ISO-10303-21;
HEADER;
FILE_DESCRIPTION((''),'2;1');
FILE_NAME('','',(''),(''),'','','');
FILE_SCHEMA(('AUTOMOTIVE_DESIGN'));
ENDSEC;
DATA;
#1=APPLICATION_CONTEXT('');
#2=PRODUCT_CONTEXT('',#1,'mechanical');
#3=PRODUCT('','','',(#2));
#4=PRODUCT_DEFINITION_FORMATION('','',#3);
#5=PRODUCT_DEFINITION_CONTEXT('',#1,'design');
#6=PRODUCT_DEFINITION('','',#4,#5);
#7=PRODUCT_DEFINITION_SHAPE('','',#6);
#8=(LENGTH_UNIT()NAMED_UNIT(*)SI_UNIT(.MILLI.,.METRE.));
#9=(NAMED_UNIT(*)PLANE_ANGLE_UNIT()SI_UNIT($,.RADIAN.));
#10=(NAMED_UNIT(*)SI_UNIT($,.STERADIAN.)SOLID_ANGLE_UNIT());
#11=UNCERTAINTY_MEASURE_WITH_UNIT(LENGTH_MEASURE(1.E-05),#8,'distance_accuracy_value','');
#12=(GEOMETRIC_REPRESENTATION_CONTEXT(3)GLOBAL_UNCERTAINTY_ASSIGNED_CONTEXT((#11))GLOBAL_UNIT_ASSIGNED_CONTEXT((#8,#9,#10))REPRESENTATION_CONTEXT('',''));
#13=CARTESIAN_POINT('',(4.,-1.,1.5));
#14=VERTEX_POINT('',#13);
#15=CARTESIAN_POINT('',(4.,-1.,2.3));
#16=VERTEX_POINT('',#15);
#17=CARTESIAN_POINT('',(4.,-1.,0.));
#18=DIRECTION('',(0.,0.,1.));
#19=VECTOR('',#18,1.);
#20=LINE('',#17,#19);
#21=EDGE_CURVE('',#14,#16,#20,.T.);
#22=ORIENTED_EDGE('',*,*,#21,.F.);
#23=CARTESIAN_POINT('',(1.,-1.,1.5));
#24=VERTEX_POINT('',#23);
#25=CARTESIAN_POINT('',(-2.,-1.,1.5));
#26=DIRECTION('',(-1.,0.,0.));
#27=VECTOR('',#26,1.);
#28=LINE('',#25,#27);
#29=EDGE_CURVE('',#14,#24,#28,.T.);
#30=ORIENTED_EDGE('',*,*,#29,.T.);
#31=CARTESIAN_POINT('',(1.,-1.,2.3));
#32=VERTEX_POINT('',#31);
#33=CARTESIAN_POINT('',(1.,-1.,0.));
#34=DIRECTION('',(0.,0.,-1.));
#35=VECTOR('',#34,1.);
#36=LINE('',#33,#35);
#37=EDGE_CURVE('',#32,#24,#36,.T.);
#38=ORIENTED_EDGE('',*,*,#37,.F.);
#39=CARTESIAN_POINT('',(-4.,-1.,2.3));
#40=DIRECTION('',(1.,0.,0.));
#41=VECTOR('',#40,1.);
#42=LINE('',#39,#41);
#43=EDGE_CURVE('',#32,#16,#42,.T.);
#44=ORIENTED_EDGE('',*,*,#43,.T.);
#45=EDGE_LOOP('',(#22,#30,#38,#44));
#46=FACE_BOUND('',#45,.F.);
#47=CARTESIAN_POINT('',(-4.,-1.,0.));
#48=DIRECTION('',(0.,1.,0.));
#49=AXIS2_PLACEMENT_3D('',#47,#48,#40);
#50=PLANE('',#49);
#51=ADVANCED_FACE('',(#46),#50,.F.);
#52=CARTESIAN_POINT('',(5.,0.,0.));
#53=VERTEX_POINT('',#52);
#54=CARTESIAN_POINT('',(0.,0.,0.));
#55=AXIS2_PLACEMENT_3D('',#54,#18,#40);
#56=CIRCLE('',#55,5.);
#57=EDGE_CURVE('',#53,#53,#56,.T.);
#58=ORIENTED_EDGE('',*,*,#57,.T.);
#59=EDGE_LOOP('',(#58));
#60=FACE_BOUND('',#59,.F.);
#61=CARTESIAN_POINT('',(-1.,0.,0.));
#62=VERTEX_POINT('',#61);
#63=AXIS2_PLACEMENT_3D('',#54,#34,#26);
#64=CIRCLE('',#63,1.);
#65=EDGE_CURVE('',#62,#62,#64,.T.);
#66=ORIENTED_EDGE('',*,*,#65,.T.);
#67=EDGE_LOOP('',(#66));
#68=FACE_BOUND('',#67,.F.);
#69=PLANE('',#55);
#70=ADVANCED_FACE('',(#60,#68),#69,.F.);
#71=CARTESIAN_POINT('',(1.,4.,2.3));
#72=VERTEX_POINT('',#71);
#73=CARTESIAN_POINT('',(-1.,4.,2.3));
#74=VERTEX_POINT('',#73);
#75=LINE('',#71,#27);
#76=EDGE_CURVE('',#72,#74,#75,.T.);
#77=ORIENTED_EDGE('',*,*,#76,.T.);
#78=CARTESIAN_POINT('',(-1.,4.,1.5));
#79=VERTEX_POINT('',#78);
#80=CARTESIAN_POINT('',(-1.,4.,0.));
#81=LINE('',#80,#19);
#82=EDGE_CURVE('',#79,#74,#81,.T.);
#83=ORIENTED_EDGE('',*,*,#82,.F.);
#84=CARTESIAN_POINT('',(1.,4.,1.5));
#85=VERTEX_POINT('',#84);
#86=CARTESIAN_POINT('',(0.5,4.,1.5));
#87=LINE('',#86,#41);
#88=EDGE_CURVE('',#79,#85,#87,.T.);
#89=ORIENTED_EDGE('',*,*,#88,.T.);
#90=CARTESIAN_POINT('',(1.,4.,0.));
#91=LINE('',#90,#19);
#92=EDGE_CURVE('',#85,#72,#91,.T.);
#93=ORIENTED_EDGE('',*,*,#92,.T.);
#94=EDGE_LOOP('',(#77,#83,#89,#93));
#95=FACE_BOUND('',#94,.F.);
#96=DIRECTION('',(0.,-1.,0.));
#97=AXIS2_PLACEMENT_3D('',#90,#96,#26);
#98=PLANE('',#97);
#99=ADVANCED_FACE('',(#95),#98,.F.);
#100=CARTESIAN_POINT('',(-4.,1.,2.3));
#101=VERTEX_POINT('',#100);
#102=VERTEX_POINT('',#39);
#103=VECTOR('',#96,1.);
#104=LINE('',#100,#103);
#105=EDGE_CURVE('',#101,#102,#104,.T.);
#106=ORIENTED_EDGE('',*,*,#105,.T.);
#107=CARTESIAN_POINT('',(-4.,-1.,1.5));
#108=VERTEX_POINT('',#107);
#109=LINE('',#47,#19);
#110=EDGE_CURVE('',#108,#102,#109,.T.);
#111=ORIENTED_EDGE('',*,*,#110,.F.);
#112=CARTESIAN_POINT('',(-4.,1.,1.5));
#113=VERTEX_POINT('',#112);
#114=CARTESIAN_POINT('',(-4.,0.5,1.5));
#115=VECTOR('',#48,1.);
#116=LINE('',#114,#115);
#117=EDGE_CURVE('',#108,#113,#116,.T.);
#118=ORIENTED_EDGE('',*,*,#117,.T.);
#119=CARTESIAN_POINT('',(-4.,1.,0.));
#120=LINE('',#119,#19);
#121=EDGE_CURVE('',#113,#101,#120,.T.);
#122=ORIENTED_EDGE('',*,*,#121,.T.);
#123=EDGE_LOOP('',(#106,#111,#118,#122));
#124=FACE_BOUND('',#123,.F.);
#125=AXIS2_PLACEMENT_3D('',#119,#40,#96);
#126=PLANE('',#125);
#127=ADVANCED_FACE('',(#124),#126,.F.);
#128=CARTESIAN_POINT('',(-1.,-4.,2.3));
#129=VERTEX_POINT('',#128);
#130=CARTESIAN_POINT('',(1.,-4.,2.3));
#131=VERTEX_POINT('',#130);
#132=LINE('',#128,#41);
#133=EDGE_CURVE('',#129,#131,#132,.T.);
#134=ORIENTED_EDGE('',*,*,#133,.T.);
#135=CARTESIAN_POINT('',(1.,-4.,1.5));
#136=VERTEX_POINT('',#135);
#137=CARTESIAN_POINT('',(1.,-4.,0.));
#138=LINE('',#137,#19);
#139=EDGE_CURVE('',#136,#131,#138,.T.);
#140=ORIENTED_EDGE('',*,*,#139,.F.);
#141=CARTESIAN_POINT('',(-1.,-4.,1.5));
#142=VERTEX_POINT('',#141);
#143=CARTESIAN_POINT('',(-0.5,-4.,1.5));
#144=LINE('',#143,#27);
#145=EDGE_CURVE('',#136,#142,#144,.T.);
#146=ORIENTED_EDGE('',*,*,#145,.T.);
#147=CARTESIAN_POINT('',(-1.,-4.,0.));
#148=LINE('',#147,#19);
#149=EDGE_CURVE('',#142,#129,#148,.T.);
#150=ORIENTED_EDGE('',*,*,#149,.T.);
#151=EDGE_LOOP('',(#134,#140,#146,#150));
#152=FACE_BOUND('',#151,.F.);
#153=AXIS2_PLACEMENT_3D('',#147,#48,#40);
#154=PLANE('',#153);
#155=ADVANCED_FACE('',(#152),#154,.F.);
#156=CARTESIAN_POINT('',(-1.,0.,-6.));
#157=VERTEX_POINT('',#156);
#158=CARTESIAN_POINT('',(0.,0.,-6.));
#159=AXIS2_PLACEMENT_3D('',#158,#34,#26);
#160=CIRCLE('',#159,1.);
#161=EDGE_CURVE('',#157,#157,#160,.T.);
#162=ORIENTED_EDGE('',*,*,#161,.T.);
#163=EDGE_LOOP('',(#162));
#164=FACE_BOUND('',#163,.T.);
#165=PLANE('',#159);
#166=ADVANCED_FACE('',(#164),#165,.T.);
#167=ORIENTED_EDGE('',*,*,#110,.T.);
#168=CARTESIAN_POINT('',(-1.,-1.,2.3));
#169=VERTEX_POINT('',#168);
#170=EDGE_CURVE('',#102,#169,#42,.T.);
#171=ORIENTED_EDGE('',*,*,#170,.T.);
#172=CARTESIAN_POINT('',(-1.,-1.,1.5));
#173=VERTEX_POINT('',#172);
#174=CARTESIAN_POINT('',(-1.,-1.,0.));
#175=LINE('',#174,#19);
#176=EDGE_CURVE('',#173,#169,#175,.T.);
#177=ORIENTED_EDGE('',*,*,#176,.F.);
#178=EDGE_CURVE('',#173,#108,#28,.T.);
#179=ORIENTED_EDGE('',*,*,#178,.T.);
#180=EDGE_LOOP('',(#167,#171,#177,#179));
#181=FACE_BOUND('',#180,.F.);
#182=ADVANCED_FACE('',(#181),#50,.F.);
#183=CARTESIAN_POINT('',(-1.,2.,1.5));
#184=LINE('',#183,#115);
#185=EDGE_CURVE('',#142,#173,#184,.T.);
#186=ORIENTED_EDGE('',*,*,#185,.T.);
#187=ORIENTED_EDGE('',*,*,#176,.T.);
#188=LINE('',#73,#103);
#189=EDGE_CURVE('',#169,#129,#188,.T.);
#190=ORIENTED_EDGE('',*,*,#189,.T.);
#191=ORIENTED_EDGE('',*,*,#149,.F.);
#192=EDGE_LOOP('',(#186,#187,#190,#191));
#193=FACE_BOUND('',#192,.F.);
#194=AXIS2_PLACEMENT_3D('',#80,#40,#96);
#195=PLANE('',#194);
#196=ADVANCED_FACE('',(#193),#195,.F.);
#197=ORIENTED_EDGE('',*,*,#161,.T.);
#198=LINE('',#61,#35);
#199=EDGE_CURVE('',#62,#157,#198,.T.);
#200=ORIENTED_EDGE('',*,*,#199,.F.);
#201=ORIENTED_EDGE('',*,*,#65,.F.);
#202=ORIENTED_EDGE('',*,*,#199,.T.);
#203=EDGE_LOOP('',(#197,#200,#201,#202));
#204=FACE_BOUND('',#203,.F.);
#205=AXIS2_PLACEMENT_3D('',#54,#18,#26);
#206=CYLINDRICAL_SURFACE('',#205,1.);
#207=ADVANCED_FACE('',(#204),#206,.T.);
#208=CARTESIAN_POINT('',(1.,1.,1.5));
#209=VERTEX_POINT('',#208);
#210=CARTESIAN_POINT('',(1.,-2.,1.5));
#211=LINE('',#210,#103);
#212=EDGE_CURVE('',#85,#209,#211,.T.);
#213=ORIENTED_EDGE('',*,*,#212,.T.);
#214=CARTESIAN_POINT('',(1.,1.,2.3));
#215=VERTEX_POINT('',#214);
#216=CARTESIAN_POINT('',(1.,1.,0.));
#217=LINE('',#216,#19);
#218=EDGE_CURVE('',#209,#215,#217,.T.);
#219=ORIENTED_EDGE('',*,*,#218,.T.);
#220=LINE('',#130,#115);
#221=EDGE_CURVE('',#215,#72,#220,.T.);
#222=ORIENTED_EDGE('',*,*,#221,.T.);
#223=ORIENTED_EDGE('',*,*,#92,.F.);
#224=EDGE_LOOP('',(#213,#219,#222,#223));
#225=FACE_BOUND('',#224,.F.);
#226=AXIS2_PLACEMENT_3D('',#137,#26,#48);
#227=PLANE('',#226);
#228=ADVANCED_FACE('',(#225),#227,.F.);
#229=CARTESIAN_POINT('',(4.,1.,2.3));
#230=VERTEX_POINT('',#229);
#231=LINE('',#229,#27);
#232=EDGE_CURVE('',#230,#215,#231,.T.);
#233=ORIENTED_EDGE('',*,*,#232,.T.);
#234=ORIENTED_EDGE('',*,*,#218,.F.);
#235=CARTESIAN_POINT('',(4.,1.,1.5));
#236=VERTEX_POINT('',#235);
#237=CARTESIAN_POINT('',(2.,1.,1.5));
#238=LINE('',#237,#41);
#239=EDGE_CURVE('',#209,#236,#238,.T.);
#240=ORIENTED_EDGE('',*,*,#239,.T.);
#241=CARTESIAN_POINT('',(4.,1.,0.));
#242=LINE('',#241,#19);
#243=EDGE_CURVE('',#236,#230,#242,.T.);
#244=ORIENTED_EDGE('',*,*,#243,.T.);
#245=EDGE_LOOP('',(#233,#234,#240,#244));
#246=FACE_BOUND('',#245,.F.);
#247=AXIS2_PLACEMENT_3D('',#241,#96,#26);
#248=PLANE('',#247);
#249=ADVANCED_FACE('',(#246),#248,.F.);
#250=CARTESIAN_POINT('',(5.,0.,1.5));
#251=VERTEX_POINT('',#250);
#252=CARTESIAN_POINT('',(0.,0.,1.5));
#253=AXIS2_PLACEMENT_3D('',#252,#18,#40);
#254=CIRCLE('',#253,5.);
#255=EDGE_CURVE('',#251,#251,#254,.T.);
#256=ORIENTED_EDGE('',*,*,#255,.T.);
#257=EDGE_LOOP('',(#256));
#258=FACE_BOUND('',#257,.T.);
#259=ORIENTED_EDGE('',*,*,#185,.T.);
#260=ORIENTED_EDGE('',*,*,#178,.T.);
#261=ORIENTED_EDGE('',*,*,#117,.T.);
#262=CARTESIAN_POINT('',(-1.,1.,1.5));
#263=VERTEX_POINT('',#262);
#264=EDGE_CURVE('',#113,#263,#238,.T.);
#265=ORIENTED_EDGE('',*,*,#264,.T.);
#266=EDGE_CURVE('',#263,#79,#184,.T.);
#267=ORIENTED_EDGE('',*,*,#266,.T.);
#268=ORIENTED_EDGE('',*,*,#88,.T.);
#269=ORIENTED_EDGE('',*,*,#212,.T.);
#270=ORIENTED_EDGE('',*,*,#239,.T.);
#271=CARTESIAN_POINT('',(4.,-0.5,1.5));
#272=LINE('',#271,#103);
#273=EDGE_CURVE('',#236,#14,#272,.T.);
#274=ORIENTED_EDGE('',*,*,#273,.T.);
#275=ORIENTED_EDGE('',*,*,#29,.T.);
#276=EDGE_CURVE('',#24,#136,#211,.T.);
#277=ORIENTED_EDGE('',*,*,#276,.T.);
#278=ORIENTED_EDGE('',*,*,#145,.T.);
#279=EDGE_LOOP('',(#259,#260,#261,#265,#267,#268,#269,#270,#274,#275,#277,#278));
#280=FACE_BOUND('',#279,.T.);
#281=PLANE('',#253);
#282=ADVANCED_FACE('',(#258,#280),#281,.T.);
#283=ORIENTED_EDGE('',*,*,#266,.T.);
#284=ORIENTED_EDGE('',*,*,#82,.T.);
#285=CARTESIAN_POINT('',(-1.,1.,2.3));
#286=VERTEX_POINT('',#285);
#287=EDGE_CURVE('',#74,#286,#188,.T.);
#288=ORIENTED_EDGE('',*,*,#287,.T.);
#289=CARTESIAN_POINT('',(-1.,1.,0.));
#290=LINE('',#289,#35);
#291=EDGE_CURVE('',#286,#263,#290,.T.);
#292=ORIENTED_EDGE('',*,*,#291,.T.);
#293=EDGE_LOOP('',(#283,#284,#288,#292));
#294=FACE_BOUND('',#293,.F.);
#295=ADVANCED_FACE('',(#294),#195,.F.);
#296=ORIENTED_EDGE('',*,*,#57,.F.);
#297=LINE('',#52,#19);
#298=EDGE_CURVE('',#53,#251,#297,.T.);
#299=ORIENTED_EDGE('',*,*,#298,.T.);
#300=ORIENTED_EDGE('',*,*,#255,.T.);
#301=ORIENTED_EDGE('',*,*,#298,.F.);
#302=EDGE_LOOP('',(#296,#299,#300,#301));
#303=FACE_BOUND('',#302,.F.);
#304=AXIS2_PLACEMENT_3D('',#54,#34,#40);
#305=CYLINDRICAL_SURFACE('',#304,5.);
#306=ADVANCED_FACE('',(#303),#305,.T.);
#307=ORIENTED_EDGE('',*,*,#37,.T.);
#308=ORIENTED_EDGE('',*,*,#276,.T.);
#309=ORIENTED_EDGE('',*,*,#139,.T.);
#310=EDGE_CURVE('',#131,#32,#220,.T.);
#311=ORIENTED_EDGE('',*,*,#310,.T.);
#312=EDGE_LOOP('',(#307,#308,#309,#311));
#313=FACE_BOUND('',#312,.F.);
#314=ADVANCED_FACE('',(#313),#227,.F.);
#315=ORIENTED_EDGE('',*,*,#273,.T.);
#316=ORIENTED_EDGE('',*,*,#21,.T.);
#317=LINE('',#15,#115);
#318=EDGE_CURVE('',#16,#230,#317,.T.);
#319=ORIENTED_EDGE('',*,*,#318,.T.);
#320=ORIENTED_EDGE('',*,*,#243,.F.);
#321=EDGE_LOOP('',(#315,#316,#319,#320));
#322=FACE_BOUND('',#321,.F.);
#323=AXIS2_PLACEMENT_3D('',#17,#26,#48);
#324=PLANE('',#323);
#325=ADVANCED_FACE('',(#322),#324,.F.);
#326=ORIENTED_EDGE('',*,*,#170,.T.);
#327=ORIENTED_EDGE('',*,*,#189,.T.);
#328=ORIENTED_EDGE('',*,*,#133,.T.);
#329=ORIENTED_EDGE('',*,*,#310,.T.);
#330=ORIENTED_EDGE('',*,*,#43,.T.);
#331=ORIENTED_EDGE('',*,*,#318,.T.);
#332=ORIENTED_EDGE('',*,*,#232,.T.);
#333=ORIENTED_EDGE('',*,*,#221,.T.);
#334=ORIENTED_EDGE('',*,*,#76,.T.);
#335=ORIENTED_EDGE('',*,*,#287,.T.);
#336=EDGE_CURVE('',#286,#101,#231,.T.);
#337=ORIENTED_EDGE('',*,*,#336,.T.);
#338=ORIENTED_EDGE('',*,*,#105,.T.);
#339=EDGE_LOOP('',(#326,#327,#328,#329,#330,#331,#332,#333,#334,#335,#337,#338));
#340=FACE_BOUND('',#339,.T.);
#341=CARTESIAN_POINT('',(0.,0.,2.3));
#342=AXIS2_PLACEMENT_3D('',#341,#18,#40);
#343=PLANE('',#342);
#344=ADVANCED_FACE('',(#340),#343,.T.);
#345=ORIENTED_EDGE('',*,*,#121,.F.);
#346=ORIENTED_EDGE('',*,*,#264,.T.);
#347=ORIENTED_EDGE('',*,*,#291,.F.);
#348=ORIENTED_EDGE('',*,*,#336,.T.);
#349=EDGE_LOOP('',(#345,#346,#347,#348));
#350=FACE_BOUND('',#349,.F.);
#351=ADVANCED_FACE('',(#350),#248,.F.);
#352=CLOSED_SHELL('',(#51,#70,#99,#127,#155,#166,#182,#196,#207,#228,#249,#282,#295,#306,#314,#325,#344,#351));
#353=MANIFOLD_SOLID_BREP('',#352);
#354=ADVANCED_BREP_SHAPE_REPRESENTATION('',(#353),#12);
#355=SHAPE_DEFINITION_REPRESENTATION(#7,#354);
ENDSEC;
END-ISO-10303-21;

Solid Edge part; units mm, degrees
sketch "Sketch1" plane through (0, 0, 0) normal (0, 0, 1) x (1, 0, 0)
  circle A0 centre (0, 0) radius 5
extrude "Protrusion1" add sketch "Sketch1" along normal blind 1.5
sketch "Sketch2" plane through (0, 0, 0) normal (0, 0, 1) x (1, 0, 0)
  line L0 (-1, 4) -> (-1, -4)
  line L1 (-1, -4) -> (1, -4)
  line L2 (1, -4) -> (1, 4)
  line L3 (1, 4) -> (-1, 4)
extrude "Protrusão_Extrudada_2" add sketch "Sketch2" along normal blind 2.3
sketch "Sketch3" plane through (0, 0, 0) normal (0, 0, 1) x (1, 0, 0)
  line L0 (-4, -1) -> (4, -1)
  line L1 (4, -1) -> (4, 1)
  line L2 (4, 1) -> (-4, 1)
  line L3 (-4, 1) -> (-4, -1)
extrude "Protrusão_Extrudada_3" add sketch "Sketch3" along normal blind 2.3
sketch "Sketch4" plane through (0, 0, 0) normal (0, 0, -1) x (-1, 0, 0)
  circle A0 centre (0, 0) radius 1
extrude "Protrusão_Extrudada_4" add sketch "Sketch4" along normal blind 6
